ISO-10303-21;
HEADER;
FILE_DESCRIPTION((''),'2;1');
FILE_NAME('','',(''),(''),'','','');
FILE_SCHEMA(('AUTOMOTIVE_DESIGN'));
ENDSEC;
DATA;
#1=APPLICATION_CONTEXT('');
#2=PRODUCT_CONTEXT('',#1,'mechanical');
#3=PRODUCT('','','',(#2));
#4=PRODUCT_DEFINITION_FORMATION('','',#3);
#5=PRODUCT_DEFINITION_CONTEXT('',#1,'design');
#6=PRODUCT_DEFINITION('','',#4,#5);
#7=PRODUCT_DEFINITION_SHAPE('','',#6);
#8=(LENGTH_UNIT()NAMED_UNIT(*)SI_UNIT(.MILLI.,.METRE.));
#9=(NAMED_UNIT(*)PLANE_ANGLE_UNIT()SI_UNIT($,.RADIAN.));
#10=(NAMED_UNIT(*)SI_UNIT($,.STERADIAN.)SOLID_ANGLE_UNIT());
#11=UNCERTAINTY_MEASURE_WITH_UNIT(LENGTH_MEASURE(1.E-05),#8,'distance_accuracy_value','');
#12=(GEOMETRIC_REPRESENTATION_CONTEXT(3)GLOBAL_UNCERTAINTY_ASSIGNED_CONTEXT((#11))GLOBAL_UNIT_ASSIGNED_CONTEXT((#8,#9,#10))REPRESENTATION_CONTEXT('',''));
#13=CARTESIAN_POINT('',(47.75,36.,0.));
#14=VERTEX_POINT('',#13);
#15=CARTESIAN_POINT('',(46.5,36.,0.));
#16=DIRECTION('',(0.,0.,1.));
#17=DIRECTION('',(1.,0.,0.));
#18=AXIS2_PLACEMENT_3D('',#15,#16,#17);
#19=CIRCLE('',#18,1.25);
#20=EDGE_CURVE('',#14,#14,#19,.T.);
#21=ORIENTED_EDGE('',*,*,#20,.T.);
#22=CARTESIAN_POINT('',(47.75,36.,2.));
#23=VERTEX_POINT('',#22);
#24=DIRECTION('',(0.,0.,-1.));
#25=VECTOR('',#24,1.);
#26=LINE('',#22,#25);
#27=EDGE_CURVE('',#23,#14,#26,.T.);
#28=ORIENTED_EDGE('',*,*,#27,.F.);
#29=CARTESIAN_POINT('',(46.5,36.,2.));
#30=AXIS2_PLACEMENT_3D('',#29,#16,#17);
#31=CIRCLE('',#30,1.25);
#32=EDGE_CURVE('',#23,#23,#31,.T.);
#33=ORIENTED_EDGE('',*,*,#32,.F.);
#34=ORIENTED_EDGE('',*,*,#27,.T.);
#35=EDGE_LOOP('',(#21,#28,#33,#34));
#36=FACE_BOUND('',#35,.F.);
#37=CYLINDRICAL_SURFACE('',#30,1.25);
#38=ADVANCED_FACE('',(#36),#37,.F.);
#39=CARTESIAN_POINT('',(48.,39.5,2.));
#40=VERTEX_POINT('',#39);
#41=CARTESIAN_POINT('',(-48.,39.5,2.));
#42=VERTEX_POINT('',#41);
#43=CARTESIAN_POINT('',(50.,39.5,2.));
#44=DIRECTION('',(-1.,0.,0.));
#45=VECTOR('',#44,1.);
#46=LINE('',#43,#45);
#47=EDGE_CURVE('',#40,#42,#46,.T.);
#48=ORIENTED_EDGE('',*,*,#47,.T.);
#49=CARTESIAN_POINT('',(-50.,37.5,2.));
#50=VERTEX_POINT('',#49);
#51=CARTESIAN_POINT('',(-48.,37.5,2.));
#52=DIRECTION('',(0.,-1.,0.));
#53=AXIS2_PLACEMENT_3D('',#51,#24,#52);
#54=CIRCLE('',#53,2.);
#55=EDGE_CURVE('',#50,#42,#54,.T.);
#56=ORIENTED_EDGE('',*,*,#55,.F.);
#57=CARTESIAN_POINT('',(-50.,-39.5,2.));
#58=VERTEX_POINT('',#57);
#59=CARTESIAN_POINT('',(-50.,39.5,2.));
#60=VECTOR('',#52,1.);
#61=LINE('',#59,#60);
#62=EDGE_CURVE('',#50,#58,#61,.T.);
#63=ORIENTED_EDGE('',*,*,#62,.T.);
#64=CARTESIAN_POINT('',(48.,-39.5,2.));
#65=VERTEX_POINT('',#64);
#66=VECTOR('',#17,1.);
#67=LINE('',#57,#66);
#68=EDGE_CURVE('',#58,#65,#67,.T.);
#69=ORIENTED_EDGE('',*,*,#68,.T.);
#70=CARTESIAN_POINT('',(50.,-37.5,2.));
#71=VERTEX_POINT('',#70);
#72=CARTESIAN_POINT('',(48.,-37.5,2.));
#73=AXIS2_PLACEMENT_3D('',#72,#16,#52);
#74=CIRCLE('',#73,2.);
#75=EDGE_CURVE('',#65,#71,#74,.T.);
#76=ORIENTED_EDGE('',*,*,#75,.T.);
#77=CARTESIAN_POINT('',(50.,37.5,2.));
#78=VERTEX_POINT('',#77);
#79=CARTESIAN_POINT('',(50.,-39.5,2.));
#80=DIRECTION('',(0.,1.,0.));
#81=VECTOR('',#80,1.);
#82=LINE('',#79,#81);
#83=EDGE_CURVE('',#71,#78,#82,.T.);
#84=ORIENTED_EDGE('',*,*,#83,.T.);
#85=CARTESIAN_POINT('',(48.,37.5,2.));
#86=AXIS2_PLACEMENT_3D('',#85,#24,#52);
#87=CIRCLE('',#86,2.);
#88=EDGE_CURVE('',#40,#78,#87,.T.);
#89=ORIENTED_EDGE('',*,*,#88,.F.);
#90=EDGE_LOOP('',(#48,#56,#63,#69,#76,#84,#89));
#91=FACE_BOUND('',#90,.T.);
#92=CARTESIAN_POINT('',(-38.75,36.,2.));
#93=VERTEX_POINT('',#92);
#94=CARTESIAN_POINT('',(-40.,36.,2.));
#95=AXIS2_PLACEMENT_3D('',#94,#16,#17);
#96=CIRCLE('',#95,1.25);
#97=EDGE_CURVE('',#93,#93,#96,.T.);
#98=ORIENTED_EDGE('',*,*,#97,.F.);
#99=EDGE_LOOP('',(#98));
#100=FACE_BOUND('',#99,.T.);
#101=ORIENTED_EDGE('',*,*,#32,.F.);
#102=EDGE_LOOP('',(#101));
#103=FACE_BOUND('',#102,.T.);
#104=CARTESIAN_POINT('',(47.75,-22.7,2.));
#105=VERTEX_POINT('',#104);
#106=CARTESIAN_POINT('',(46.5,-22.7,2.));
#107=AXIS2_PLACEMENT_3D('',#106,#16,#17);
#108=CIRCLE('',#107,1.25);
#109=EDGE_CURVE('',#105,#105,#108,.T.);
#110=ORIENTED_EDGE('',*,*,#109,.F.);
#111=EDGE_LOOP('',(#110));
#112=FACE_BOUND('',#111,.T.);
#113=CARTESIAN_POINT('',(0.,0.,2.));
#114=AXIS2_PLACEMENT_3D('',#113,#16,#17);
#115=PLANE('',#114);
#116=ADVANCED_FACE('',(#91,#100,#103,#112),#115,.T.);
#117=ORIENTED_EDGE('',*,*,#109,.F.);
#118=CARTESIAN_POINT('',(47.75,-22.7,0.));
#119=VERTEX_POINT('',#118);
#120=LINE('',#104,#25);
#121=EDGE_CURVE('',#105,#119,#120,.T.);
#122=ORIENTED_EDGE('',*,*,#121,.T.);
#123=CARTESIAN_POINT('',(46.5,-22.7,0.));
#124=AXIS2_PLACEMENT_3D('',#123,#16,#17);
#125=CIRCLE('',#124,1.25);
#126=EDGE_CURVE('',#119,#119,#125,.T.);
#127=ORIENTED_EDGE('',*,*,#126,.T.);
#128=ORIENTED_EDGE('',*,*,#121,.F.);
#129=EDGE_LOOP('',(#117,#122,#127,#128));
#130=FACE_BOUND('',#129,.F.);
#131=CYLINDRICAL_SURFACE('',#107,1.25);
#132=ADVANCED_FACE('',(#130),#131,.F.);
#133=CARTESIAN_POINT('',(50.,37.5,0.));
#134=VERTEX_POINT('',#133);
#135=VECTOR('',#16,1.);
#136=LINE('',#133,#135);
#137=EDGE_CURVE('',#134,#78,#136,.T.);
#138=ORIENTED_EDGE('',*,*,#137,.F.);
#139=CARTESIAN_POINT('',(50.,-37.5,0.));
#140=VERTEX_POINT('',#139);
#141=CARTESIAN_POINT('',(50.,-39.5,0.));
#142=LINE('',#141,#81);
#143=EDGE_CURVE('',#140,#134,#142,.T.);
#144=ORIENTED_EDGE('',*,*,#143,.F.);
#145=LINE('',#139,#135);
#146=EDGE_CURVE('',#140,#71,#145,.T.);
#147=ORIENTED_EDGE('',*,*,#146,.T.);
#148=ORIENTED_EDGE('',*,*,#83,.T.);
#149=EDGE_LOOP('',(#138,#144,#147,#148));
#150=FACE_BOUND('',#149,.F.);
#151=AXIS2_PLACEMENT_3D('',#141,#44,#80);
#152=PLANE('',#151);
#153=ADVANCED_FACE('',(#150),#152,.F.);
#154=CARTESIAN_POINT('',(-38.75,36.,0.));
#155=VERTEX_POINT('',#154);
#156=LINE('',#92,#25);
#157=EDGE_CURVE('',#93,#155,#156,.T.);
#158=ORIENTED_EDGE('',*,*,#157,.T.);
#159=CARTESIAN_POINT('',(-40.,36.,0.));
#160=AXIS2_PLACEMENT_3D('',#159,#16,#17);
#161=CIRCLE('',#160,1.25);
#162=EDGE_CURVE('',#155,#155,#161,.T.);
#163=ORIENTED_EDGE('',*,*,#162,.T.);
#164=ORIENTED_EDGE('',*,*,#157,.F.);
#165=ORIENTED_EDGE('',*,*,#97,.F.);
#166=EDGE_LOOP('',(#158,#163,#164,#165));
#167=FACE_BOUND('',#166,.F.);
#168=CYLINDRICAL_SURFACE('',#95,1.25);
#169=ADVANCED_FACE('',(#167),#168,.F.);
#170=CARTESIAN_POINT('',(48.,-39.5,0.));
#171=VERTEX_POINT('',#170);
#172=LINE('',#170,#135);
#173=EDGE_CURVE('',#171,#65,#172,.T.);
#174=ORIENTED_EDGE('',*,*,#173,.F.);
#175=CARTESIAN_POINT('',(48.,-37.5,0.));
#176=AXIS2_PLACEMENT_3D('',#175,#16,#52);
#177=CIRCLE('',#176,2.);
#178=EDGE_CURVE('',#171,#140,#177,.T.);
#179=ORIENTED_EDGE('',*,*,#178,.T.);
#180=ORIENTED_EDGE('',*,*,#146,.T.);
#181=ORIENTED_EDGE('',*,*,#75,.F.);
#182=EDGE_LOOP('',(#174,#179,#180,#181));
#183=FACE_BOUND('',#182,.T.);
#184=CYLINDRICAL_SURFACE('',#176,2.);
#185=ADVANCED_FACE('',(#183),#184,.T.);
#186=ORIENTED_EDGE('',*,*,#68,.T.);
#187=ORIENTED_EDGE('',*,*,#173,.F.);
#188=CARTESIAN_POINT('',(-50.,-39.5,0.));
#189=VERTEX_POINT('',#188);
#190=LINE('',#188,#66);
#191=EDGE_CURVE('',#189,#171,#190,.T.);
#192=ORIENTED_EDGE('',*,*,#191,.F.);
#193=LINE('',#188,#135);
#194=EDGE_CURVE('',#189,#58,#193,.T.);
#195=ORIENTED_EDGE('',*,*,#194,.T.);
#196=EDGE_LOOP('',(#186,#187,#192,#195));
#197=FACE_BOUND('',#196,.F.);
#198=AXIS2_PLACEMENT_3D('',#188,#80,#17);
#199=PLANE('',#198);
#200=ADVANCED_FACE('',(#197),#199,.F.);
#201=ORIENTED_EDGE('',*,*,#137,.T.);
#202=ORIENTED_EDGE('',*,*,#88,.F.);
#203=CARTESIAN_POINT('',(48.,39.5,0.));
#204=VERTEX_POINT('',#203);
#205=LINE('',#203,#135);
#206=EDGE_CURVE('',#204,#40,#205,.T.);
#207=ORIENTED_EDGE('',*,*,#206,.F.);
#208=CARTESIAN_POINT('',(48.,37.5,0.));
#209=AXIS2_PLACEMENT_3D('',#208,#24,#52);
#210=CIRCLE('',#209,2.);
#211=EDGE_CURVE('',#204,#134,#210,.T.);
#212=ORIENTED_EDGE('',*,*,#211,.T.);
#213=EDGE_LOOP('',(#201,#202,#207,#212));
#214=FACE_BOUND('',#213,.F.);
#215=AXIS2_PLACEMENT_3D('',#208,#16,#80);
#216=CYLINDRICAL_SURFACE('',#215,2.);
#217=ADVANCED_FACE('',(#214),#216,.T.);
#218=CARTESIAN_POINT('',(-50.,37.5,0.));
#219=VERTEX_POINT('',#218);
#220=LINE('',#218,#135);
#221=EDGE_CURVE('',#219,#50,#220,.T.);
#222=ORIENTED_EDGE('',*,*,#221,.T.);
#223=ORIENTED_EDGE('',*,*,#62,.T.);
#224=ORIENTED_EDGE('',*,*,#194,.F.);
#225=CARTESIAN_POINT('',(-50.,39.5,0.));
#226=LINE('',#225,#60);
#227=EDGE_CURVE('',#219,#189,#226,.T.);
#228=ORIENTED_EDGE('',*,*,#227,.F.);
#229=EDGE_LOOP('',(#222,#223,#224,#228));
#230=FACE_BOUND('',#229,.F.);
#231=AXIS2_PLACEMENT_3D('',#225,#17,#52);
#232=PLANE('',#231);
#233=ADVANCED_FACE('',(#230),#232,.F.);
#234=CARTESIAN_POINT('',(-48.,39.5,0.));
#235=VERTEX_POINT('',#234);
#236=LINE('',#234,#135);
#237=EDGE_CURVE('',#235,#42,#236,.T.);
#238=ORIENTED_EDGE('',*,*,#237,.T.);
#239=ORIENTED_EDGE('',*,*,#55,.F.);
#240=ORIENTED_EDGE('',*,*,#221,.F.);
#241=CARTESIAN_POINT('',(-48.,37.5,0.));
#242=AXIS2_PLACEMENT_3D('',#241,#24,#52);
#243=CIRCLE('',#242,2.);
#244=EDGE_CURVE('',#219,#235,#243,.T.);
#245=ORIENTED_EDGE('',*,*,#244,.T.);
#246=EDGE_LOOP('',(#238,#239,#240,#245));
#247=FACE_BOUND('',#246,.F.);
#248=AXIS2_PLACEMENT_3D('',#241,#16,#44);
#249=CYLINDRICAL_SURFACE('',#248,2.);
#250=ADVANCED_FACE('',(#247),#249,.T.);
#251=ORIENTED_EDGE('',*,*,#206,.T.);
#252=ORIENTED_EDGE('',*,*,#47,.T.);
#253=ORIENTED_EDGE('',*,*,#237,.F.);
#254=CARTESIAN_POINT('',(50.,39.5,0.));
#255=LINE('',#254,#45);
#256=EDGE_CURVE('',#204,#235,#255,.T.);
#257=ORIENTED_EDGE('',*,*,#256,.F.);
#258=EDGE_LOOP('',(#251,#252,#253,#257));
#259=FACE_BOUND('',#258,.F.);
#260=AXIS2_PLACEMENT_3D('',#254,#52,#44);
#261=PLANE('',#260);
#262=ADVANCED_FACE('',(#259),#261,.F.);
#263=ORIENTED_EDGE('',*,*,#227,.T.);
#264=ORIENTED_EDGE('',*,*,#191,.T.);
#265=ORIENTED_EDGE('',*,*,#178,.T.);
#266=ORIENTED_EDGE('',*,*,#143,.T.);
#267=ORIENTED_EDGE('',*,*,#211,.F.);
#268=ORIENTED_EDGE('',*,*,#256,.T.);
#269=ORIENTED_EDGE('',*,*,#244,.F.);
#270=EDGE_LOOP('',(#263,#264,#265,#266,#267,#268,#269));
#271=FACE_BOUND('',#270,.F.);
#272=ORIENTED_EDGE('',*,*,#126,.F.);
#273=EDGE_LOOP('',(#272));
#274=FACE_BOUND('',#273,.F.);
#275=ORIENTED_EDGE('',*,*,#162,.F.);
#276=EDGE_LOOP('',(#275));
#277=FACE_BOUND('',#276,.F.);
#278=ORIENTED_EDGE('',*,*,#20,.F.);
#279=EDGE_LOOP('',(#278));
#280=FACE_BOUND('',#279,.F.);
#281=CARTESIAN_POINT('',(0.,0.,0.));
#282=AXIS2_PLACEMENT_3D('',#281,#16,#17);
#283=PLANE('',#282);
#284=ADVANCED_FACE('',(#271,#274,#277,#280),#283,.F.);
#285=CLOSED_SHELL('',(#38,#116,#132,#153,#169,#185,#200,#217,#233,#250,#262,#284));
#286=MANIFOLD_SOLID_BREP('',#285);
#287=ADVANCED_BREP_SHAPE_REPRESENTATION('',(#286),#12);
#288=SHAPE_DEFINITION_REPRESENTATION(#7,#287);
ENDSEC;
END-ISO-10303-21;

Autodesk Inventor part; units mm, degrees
ref_plane "YZ Plane" through (0, 0, 0) normal (1, 0, 0) x (0, 1, 0)
ref_plane "XZ Plane" through (0, 0, 0) normal (0, 1, 0) x (-1, 0, 0)
ref_plane "XY Plane" through (0, 0, 0) normal (0, 0, 1) x (1, 0, 0)
sketch "Sketch1" plane through (0, 0, 0) normal (0, 0, 1) x (1, 0, 0)
  line L0 (-50, -39.5) -> (50, -39.5)
  line L1 (50, -39.5) -> (50, 39.5)
  line L2 (50, 39.5) -> (-50, 39.5)
  line L3 (-50, 39.5) -> (-50, -39.5)
  line L4 (-50, -39.5) -> (50, 39.5) construction
  line L5 (50, -39.5) -> (-50, 39.5) construction
  point P0 (0, 0)
  dimension "d0" = 100
  dimension "d1" = 79
extrude "Extrusion1" add sketch "Sketch1" along normal blind 2
sketch "Sketch3" plane through (0, 0, 2) normal (0, 0, 1) x (1, 0, 0)
  circle A0 centre (-40, 36) radius 1.25
  circle A1 centre (46.5, 36) radius 1.25
  circle A2 centre (46.5, -22.7) radius 1.25
  line L0 (-50, 39.5) -> (-50, -39.5) projected
  line L1 (50, 39.5) -> (-50, 39.5) projected
  line L2 (50, -39.5) -> (50, 39.5) projected
  line L3 (-50, -39.5) -> (50, -39.5) projected
  point P0 (0, 0)
  dimension "d6" = 2.5
  dimension "d7" = 2.5
  dimension "d8" = 2.5
  dimension "d9" = 10
  dimension "d10" = 3.5
  dimension "d11" = 3.5
  dimension "d12" = 3.5
  dimension "d13" = 3.5
  dimension "d14" = 16.8
extrude "Extrusion2" cut sketch "Sketch3" against normal blind 2 contours A0 | A1 | A2
fillet "Fillet1" radius 2 3 edges at (50, -39.5, 1) (50, 39.5, 1) (-50, 39.5, 1)
sketch "Sketch4" plane through (0, 0, 2) normal (0, 0, 1) x (1, 0, 0)
  arc A0 (-48, 39.5) -> (-50, 37.5) centre (-48, 37.5) ccw projected
  line L0 (-50, 37.5) -> (-50, -39.5) projected
  line L1 (-50, -39.5) -> (48, -39.5) projected
  arc A1 (48, -39.5) -> (50, -37.5) centre (48, -37.5) ccw projected
  line L2 (50, -37.5) -> (50, 37.5) projected
  arc A2 (50, 37.5) -> (48, 39.5) centre (48, 37.5) ccw projected
  line L3 (48, 39.5) -> (-48, 39.5) projected
  circle A3 centre (-40, 36) radius 1.25 projected
  circle A4 centre (46.5, 36) radius 1.25 projected
  circle A5 centre (46.5, -22.7) radius 1.25 projected
  line L4 (-50, -39.5) -> (48, -39.5) projected
  line L5 (48, 39.5) -> (-48, 39.5) projected
  line L6 (-40, -39.5) -> (40, -39.5)
  line L7 (40, -39.5) -> (40, 39.5)
  line L8 (40, 39.5) -> (-40, 39.5)
  line L9 (-40, 39.5) -> (-40, -39.5)
  point P0 (0, 0)
  dimension "d18" = 10
  dimension "d19" = 10
equation "\"d7\" = d6"
equation "\"d8\" = d6"
equation "\"d11\" = d10"
equation "\"d12\" = d11"
equation "\"d13\" = d12"
equation "\"d19\" = d18"
properties part number "NanoHolder"
